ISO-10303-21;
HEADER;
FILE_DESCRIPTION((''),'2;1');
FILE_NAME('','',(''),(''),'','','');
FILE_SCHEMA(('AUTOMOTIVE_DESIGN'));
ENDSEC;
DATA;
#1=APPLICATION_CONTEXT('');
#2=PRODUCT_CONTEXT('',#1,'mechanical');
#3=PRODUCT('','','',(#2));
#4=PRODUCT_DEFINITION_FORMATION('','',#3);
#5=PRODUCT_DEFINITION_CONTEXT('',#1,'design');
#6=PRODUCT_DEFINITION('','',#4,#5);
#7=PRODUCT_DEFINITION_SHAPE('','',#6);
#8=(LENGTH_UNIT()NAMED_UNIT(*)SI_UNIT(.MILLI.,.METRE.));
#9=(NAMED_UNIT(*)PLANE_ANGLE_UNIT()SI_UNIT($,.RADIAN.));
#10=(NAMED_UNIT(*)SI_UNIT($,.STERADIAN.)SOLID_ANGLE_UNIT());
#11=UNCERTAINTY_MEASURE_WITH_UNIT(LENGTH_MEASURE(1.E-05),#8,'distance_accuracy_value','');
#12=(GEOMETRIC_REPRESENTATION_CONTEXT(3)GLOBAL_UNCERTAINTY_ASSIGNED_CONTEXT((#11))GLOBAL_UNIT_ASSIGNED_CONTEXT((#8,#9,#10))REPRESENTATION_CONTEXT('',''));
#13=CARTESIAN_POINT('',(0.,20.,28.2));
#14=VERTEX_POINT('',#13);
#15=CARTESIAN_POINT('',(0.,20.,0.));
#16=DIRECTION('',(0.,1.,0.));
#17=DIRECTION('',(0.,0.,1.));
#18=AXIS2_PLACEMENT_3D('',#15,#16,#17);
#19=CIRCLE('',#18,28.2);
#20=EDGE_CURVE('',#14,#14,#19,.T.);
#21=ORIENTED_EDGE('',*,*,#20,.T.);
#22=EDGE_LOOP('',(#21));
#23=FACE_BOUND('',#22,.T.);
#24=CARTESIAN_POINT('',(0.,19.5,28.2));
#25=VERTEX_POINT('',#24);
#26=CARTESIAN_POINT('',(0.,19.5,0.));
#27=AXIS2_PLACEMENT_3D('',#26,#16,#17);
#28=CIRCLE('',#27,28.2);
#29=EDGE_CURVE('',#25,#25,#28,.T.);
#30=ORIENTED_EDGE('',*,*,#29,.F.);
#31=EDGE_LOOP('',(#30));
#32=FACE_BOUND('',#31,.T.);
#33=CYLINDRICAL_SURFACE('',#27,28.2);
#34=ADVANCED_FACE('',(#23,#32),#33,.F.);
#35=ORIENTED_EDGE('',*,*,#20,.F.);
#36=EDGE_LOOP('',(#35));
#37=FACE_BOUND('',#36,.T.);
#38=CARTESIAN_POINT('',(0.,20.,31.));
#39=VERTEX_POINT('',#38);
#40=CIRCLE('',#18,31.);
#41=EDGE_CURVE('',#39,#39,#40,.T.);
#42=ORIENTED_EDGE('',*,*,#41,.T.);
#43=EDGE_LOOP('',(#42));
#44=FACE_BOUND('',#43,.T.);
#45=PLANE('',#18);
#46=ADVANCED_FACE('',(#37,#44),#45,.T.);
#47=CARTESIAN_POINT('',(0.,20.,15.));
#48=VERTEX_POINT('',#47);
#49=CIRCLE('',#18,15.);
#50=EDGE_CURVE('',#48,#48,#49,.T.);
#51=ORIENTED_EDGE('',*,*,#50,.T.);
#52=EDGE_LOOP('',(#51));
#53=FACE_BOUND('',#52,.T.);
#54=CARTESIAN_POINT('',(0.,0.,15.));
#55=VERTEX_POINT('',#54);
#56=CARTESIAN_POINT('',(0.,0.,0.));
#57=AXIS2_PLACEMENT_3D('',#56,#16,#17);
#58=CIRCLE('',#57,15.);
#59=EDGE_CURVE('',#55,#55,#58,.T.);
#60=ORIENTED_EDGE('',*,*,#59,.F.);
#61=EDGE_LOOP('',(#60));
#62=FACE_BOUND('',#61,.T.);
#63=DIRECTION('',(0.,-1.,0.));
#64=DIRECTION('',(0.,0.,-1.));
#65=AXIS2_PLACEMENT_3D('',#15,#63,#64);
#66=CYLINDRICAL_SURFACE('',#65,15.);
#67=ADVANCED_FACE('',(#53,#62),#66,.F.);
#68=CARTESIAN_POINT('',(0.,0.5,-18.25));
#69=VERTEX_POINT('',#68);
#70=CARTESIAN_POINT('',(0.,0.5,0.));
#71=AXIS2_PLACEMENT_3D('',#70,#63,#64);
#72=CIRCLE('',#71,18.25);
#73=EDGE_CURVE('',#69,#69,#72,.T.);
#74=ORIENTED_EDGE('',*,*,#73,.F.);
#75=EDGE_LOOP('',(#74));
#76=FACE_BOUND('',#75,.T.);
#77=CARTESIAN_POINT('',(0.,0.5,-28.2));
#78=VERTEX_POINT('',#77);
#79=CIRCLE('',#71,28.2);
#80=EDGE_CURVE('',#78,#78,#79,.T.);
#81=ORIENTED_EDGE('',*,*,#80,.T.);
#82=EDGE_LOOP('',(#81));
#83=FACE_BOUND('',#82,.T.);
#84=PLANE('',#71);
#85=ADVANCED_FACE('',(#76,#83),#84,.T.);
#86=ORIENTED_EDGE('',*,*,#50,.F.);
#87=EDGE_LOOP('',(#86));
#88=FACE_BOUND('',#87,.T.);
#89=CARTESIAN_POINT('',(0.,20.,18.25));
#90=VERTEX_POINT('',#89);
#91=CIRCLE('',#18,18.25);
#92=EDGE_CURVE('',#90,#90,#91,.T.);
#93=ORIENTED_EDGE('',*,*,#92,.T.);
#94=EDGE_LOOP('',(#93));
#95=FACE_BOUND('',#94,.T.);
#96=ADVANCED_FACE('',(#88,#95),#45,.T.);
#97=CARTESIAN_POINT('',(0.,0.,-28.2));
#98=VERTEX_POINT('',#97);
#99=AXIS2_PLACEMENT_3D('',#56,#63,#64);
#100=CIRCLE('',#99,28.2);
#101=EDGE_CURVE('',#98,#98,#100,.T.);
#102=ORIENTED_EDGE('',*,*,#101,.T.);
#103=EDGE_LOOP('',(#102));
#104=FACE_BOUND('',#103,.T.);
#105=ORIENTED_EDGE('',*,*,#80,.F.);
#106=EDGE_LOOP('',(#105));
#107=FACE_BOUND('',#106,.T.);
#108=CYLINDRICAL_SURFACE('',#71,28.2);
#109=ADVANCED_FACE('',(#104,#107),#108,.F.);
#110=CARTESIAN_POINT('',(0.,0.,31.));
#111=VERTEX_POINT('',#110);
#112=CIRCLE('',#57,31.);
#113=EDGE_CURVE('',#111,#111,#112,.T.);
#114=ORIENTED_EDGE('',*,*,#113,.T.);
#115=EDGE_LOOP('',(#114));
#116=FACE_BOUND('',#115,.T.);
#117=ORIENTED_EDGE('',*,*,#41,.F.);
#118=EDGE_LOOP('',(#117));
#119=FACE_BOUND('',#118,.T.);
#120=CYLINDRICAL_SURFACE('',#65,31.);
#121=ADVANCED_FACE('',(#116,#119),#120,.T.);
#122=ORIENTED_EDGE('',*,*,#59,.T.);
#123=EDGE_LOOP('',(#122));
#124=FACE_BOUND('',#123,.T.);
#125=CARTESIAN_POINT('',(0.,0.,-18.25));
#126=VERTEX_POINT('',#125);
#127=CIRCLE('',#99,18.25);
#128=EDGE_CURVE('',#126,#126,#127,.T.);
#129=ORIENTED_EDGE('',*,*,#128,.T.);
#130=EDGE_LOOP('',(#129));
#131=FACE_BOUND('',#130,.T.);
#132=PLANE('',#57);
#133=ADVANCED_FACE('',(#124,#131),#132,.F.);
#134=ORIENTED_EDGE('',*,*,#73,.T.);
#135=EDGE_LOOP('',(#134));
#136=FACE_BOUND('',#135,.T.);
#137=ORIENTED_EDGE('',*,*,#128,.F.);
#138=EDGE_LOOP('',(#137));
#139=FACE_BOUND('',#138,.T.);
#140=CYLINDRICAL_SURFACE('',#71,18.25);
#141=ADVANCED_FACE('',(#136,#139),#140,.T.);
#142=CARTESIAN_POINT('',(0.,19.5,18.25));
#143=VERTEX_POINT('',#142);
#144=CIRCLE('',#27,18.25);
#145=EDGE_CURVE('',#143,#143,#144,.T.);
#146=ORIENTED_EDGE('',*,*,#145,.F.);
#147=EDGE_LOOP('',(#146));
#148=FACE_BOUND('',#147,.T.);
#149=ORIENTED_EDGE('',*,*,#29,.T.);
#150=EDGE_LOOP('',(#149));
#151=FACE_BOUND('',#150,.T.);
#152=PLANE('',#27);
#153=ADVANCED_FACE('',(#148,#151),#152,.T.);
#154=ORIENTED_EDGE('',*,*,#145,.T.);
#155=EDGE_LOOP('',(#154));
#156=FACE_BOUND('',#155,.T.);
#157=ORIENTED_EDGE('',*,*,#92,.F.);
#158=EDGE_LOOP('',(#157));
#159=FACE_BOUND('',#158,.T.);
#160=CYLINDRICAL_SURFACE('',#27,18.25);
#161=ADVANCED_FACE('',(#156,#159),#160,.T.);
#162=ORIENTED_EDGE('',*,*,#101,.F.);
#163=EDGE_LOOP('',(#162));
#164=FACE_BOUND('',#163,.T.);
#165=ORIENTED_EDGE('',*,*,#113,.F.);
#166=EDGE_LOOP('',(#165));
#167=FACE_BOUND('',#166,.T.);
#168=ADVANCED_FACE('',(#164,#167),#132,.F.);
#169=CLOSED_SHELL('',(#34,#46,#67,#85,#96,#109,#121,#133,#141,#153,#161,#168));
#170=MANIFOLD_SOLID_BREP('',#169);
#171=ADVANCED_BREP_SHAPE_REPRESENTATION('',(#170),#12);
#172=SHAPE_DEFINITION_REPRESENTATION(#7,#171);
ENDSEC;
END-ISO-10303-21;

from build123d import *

# Parameters (mm, degrees)
SKETCH1_R           = 31
SKETCH1_R_2         = 15
BOSS_EXTRUDE1_DEPTH = 20
SKETCH2_R           = 28.2
SKETCH2_R_2         = 18.25
CUT_EXTRUDE1_DEPTH  = 0.5
SKETCH3_R           = 28.2
SKETCH3_R_2         = 18.25
CUT_EXTRUDE2_DEPTH  = 0.5


with BuildPart() as part:
    # Sketch1 → Boss-Extrude1 (new body)
    with BuildSketch(Plane(origin=(0, 0, 0), x_dir=(1, 0, 0), z_dir=(0, 1, 0))):
        Circle(SKETCH1_R)
        Circle(SKETCH1_R_2, mode=Mode.SUBTRACT)
    extrude(amount=BOSS_EXTRUDE1_DEPTH)

    # Sketch2 → Cut-Extrude1 (cut)
    with BuildSketch(Plane(origin=(0, 20, 0), x_dir=(1, 0, 0), z_dir=(0, 1, 0))):
        Circle(SKETCH2_R)
        Circle(SKETCH2_R_2, mode=Mode.SUBTRACT)
    extrude(amount=-CUT_EXTRUDE1_DEPTH, mode=Mode.SUBTRACT)

    # Sketch3 → Cut-Extrude2 (cut)
    with BuildSketch(Plane.XZ):
        Circle(SKETCH3_R)
        Circle(SKETCH3_R_2, mode=Mode.SUBTRACT)
    extrude(amount=-CUT_EXTRUDE2_DEPTH, mode=Mode.SUBTRACT)


solid = part.part
